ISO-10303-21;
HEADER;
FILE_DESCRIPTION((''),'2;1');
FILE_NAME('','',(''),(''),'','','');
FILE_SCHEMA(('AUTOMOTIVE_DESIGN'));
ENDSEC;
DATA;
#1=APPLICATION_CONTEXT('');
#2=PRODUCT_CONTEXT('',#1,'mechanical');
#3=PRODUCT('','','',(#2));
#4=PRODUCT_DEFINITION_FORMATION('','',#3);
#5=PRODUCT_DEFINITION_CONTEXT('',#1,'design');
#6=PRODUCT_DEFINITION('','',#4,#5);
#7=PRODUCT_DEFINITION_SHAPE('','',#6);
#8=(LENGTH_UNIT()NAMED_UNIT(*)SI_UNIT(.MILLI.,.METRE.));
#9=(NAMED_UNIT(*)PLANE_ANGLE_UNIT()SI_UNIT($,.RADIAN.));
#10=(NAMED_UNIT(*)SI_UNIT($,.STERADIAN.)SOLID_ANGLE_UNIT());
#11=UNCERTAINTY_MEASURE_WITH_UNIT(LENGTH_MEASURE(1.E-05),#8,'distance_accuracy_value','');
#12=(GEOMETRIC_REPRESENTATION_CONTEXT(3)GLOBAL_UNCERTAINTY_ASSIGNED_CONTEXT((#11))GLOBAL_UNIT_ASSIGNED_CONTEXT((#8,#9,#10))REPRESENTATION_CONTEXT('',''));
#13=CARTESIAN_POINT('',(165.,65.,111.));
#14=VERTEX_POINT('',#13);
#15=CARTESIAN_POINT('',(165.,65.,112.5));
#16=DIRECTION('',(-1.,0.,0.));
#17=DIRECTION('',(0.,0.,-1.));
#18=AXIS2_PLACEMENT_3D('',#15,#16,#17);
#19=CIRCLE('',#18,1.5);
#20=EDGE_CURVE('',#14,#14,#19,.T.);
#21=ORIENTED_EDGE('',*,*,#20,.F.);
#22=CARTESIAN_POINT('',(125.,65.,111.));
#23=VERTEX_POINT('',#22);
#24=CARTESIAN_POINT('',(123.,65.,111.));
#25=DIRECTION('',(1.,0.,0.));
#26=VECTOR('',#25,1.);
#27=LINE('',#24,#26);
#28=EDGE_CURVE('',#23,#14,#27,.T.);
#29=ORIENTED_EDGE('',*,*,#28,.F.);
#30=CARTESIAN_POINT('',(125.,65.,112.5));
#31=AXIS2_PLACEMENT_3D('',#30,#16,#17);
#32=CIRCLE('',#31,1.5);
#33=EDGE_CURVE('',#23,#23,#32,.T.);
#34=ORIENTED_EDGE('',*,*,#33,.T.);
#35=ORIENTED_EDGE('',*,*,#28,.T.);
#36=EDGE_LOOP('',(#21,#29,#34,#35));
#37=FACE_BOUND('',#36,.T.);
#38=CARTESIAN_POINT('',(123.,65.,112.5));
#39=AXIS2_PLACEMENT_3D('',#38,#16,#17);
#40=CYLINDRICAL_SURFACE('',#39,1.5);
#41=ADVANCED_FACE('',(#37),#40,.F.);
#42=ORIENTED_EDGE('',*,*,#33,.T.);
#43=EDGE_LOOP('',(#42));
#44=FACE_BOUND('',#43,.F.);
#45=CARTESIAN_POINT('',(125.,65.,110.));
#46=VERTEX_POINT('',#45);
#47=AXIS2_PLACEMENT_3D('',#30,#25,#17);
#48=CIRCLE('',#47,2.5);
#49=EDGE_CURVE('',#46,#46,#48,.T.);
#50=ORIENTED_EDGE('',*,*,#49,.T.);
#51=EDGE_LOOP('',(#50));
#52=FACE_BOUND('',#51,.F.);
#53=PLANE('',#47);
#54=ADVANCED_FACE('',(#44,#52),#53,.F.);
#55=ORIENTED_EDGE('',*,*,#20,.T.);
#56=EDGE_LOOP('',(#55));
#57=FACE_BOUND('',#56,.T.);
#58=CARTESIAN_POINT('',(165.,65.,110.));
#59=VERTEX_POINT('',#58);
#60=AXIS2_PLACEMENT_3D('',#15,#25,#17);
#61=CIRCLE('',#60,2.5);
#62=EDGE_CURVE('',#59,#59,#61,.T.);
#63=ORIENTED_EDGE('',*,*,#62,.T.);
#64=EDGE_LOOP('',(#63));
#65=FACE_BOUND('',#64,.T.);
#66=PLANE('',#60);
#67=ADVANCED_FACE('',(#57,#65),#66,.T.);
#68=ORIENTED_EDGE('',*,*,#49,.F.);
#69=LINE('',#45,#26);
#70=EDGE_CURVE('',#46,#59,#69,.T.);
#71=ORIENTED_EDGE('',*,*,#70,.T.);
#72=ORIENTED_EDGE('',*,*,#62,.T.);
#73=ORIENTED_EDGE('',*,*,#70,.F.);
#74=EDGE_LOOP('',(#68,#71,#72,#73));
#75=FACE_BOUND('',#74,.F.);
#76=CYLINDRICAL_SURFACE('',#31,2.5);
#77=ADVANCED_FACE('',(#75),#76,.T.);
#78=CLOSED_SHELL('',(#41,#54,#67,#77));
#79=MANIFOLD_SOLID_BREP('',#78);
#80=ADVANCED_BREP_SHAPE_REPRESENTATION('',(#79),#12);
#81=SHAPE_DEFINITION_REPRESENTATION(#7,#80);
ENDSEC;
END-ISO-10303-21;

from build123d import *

# Parameters (mm, degrees)
CYLINDER005_R           = 1.5
CYLINDER005_DEPTH       = 44
CYLINDER005_PITCH_ANGLE = 90
CYLINDER004_R           = 2.5
CYLINDER004_DEPTH       = 40
CYLINDER004_PITCH_ANGLE = 90


with BuildPart() as cilindro005:
    # Cylinder005 → Cylinder005 (new body)
    with BuildSketch(Plane.XY):
        Circle(CYLINDER005_R)
    extrude(amount=CYLINDER005_DEPTH)


with BuildPart() as cilindro005_1:
    # Cylinder005 pitch: moved
    add(cilindro005.part.rotate(Axis((0, 0, 0), (0, 1, 0)), CYLINDER005_PITCH_ANGLE))


with BuildPart() as cilindro005_2:
    # Cylinder005 placement: moved
    add(cilindro005_1.part.moved(Location((-2, 0, 0))))


with BuildPart() as soporte3:
    # Cylinder004 → Cylinder004 (new body)
    with BuildSketch(Plane.XY):
        Circle(CYLINDER004_R)
    extrude(amount=CYLINDER004_DEPTH)


with BuildPart() as soporte3_1:
    # Cylinder004 pitch: moved
    add(soporte3.part.rotate(Axis((0, 0, 0), (0, 1, 0)), CYLINDER004_PITCH_ANGLE))


with BuildPart() as soporte3_2:
    # Cylinder004 placement: moved
    add(soporte3_1.part)

    # Cut002: cut Cilindro005
    add(cilindro005_2.part, mode=Mode.SUBTRACT)


with BuildPart() as soporte3_3:
    # Cut002 placement: moved
    add(soporte3_2.part.moved(Location((125, 65, 112.5))))


solid = soporte3_3.part
